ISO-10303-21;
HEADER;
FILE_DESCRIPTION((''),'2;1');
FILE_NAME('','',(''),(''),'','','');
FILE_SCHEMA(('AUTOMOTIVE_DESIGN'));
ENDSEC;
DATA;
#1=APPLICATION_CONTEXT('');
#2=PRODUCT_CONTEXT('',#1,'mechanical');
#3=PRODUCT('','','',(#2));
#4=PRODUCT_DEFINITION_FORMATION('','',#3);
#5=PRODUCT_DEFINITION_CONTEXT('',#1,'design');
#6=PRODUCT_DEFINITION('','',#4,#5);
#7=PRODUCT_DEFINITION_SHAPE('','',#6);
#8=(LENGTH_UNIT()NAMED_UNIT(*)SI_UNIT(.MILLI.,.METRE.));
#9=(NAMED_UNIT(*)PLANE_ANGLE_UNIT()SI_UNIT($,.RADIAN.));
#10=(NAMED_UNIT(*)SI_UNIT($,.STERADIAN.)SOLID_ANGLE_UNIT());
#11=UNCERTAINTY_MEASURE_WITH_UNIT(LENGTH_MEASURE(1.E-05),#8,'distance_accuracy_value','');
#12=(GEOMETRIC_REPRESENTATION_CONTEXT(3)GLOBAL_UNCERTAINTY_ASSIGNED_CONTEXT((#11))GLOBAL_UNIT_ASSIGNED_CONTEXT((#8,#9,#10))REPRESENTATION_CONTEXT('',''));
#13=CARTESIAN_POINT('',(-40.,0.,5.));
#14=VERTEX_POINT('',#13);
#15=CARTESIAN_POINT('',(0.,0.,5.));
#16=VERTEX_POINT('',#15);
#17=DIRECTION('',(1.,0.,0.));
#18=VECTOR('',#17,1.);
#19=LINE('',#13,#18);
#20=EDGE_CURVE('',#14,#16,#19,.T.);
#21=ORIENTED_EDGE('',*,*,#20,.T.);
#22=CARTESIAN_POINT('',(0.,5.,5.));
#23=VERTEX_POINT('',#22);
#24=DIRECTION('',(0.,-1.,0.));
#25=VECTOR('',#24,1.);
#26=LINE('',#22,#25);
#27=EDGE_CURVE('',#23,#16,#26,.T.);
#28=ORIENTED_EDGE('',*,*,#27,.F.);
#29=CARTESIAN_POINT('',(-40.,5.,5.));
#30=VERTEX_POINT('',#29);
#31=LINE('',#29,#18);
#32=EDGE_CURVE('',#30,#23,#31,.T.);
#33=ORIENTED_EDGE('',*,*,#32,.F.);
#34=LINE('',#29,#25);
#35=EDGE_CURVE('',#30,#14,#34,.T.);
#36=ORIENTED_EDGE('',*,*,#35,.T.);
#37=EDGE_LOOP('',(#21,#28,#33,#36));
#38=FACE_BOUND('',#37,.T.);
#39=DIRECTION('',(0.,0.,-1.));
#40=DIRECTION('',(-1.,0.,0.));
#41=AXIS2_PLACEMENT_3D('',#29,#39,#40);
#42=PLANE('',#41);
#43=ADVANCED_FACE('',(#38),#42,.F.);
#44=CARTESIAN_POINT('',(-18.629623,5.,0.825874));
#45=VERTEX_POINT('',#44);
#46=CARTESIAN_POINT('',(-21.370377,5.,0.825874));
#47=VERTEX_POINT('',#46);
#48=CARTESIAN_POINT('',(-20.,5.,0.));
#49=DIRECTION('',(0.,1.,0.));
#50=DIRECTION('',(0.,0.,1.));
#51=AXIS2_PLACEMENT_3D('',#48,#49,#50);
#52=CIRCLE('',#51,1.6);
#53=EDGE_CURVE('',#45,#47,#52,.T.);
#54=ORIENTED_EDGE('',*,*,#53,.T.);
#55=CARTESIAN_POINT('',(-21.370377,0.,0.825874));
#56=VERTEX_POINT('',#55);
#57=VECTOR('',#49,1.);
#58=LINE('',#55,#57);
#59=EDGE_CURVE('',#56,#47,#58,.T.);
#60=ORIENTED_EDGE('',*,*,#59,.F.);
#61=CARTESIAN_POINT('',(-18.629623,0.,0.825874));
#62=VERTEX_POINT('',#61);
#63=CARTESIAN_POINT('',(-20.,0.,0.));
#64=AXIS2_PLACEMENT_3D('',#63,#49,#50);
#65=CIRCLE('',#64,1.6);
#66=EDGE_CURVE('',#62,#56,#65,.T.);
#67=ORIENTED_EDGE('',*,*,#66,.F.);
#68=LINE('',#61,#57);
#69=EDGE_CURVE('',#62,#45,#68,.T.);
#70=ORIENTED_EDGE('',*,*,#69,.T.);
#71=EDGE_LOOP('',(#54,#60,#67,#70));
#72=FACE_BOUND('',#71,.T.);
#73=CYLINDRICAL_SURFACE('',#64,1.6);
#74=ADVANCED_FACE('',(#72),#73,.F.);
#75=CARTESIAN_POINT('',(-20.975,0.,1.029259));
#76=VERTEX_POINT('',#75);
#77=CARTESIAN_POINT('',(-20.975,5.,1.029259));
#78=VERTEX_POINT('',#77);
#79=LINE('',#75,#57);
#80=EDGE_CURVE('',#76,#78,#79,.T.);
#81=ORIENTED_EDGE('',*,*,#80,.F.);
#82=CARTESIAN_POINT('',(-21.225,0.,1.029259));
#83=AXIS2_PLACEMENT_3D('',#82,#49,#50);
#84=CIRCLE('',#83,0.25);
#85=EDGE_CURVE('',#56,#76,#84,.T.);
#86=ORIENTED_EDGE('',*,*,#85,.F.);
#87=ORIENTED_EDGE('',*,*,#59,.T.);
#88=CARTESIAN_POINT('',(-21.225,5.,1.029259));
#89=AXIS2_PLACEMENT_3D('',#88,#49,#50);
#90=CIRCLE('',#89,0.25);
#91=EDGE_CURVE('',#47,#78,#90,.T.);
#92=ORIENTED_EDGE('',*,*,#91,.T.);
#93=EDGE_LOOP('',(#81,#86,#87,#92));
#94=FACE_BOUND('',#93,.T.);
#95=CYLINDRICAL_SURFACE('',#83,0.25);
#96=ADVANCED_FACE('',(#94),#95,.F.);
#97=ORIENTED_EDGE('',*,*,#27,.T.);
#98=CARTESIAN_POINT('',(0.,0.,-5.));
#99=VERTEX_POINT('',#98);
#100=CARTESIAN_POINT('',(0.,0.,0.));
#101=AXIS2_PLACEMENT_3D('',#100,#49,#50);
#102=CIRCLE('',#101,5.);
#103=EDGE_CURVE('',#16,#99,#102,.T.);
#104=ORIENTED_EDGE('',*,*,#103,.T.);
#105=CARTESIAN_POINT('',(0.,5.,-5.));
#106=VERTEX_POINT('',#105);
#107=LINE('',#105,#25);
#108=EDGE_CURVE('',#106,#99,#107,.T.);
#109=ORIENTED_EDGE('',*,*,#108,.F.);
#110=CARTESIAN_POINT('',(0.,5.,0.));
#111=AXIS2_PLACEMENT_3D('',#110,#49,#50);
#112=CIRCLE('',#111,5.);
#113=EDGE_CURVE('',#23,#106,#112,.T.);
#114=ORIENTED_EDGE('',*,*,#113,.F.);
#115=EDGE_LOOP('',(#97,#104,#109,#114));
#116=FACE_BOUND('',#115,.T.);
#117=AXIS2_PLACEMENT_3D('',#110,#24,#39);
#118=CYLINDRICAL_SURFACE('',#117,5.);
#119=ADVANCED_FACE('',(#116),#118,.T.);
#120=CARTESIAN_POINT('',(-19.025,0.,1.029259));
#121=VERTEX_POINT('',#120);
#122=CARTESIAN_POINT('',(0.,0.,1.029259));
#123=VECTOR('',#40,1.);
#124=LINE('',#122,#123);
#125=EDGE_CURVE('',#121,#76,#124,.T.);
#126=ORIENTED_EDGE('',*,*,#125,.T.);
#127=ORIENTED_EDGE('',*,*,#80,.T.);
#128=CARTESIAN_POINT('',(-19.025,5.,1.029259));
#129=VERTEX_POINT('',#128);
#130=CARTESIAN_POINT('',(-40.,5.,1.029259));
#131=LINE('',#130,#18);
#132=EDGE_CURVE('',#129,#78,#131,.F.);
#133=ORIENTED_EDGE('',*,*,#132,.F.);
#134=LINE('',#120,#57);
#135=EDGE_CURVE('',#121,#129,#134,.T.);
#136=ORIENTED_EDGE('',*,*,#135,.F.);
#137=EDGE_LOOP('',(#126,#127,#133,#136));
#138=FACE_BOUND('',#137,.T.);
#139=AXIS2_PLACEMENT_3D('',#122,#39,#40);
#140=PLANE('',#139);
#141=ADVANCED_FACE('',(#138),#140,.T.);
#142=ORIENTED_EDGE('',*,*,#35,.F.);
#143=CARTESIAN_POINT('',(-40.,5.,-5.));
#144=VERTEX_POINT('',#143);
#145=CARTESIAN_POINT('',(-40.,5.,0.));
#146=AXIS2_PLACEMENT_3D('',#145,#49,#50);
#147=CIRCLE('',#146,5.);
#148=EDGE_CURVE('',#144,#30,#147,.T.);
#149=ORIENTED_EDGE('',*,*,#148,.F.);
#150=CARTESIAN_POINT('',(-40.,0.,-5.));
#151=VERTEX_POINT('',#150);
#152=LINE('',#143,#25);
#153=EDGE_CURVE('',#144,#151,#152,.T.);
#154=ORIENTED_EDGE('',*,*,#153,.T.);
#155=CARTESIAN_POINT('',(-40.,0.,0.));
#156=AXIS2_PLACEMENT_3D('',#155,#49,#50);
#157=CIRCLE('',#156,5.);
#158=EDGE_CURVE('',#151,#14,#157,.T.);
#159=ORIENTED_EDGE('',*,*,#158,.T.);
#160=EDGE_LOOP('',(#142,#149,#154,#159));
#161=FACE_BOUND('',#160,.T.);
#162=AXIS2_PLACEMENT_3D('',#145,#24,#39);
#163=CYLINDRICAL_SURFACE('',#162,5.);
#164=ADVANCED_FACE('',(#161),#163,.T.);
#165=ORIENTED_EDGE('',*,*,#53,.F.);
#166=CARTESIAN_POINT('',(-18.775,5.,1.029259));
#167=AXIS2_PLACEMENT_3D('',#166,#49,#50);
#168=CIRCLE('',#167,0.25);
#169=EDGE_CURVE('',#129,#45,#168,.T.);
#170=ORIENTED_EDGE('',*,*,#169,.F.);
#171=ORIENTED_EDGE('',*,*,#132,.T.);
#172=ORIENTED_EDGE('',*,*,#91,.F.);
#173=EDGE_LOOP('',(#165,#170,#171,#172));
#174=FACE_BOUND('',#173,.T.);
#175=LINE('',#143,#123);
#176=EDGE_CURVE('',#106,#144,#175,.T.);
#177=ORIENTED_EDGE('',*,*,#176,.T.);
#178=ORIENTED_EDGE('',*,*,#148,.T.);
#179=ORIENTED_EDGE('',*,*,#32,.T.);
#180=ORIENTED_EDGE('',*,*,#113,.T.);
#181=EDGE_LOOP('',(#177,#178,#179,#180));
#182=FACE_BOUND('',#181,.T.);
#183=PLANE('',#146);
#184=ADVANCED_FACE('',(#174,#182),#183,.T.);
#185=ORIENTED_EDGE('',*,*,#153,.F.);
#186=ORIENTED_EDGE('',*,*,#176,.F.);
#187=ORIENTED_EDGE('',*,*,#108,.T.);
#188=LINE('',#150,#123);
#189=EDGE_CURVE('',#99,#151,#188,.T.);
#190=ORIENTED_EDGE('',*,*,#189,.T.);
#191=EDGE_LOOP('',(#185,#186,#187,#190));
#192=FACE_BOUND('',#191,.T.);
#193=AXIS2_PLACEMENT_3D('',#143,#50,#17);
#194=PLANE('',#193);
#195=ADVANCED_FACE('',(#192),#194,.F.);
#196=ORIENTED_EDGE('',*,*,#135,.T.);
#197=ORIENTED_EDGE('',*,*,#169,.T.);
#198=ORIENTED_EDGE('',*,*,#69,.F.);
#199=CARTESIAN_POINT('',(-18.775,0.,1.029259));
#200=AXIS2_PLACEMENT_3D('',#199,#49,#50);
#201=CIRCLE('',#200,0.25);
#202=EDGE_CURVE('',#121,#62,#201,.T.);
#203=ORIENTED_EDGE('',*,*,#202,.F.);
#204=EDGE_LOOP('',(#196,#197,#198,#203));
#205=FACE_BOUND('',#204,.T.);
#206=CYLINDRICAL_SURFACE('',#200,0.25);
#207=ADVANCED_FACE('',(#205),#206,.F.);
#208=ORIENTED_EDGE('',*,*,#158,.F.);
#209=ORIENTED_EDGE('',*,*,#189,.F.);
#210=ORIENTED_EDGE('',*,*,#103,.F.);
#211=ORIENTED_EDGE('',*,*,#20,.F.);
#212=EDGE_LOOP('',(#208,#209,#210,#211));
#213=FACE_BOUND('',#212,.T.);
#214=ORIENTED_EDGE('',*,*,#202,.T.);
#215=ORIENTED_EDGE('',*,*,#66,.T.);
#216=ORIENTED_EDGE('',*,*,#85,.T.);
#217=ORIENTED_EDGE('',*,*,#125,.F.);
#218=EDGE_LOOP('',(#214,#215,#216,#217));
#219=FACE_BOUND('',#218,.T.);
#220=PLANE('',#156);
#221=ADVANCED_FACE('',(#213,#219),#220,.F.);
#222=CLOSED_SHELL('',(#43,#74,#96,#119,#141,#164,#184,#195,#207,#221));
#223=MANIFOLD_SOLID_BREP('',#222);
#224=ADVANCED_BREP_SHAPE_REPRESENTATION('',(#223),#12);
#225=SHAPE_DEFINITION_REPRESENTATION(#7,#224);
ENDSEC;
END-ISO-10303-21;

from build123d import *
from build123d.topology import SkipClean

# Parameters (mm, degrees)
BOSS_EXTRUDE1_DEPTH     = 5
CUT_EXTRUDE1_DEPTH      = 46.552167896
CUT_EXTRUDE1_DEPTH_BACK = 46.552167896
SKETCH2_R               = 0.25


with BuildPart() as part:
    # Sketch1 → Boss-Extrude1 (new body)
    with BuildSketch(Plane(origin=(0, 0, 0), x_dir=(1, 0, 0), z_dir=(0, 1, 0))):
        with BuildLine():
            Line((-40, 5), (0, 5))
            ThreePointArc((0, 5), (5, 0), (0, -5))
            Line((0, -5), (-40, -5))
            ThreePointArc((-40, -5), (-45, 0), (-40, 5))
        make_face()
    extrude(amount=BOSS_EXTRUDE1_DEPTH)

    # Sketch2 → Cut-Extrude1 (cut, two sides: drawn at the far end of the back side and taken through both)
    with SkipClean():  # the faces are left unmerged after this step: merging them gives an invalid solid
        with BuildSketch(Plane(origin=(0, 5, 0), x_dir=(1, 0, 0), z_dir=(0, 1, 0)).offset(-CUT_EXTRUDE1_DEPTH_BACK)):
            with Locations((-18.775, -1.029259443)):
                Circle(SKETCH2_R)
            with BuildLine():
                Line((-18.775, -1.029259443), (-21.225, -1.029259443))
                ThreePointArc((-21.225, -1.029259443), (-20, 1.6), (-18.775, -1.029259443))
            make_face()
            with BuildLine():
                ThreePointArc((-18.775, -1.029259443), (-20, 1.6), (-21.225, -1.029259443))
                Line((-21.225, -1.029259443), (-18.775, -1.029259443))
            make_face()
            with BuildLine():
                ThreePointArc((-18.629623366, -0.82587401), (-18.606910194, 0.786956665), (-20, 1.6))
                Line((-20, 1.6), (-20, -1.029259443))
                Line((-20, -1.029259443), (-19.025, -1.029259443))
                ThreePointArc((-19.025, -1.029259443), (-18.889358737, -0.806948671), (-18.629623366, -0.82587401))
            make_face()
            with BuildLine():
                Line((-20, -1.029259443), (-20, 1.6))
                ThreePointArc((-20, 1.6), (-21.393089806, 0.786956665), (-21.370376634, -0.82587401))
                ThreePointArc((-21.370376634, -0.82587401), (-21.110641263, -0.806948671), (-20.975, -1.029259443))
                Line((-20.975, -1.029259443), (-20, -1.029259443))
            make_face()
            with Locations((-21.225, -1.029259443)):
                Circle(SKETCH2_R)
        extrude(amount=CUT_EXTRUDE1_DEPTH + CUT_EXTRUDE1_DEPTH_BACK, mode=Mode.SUBTRACT)


solid = part.part
